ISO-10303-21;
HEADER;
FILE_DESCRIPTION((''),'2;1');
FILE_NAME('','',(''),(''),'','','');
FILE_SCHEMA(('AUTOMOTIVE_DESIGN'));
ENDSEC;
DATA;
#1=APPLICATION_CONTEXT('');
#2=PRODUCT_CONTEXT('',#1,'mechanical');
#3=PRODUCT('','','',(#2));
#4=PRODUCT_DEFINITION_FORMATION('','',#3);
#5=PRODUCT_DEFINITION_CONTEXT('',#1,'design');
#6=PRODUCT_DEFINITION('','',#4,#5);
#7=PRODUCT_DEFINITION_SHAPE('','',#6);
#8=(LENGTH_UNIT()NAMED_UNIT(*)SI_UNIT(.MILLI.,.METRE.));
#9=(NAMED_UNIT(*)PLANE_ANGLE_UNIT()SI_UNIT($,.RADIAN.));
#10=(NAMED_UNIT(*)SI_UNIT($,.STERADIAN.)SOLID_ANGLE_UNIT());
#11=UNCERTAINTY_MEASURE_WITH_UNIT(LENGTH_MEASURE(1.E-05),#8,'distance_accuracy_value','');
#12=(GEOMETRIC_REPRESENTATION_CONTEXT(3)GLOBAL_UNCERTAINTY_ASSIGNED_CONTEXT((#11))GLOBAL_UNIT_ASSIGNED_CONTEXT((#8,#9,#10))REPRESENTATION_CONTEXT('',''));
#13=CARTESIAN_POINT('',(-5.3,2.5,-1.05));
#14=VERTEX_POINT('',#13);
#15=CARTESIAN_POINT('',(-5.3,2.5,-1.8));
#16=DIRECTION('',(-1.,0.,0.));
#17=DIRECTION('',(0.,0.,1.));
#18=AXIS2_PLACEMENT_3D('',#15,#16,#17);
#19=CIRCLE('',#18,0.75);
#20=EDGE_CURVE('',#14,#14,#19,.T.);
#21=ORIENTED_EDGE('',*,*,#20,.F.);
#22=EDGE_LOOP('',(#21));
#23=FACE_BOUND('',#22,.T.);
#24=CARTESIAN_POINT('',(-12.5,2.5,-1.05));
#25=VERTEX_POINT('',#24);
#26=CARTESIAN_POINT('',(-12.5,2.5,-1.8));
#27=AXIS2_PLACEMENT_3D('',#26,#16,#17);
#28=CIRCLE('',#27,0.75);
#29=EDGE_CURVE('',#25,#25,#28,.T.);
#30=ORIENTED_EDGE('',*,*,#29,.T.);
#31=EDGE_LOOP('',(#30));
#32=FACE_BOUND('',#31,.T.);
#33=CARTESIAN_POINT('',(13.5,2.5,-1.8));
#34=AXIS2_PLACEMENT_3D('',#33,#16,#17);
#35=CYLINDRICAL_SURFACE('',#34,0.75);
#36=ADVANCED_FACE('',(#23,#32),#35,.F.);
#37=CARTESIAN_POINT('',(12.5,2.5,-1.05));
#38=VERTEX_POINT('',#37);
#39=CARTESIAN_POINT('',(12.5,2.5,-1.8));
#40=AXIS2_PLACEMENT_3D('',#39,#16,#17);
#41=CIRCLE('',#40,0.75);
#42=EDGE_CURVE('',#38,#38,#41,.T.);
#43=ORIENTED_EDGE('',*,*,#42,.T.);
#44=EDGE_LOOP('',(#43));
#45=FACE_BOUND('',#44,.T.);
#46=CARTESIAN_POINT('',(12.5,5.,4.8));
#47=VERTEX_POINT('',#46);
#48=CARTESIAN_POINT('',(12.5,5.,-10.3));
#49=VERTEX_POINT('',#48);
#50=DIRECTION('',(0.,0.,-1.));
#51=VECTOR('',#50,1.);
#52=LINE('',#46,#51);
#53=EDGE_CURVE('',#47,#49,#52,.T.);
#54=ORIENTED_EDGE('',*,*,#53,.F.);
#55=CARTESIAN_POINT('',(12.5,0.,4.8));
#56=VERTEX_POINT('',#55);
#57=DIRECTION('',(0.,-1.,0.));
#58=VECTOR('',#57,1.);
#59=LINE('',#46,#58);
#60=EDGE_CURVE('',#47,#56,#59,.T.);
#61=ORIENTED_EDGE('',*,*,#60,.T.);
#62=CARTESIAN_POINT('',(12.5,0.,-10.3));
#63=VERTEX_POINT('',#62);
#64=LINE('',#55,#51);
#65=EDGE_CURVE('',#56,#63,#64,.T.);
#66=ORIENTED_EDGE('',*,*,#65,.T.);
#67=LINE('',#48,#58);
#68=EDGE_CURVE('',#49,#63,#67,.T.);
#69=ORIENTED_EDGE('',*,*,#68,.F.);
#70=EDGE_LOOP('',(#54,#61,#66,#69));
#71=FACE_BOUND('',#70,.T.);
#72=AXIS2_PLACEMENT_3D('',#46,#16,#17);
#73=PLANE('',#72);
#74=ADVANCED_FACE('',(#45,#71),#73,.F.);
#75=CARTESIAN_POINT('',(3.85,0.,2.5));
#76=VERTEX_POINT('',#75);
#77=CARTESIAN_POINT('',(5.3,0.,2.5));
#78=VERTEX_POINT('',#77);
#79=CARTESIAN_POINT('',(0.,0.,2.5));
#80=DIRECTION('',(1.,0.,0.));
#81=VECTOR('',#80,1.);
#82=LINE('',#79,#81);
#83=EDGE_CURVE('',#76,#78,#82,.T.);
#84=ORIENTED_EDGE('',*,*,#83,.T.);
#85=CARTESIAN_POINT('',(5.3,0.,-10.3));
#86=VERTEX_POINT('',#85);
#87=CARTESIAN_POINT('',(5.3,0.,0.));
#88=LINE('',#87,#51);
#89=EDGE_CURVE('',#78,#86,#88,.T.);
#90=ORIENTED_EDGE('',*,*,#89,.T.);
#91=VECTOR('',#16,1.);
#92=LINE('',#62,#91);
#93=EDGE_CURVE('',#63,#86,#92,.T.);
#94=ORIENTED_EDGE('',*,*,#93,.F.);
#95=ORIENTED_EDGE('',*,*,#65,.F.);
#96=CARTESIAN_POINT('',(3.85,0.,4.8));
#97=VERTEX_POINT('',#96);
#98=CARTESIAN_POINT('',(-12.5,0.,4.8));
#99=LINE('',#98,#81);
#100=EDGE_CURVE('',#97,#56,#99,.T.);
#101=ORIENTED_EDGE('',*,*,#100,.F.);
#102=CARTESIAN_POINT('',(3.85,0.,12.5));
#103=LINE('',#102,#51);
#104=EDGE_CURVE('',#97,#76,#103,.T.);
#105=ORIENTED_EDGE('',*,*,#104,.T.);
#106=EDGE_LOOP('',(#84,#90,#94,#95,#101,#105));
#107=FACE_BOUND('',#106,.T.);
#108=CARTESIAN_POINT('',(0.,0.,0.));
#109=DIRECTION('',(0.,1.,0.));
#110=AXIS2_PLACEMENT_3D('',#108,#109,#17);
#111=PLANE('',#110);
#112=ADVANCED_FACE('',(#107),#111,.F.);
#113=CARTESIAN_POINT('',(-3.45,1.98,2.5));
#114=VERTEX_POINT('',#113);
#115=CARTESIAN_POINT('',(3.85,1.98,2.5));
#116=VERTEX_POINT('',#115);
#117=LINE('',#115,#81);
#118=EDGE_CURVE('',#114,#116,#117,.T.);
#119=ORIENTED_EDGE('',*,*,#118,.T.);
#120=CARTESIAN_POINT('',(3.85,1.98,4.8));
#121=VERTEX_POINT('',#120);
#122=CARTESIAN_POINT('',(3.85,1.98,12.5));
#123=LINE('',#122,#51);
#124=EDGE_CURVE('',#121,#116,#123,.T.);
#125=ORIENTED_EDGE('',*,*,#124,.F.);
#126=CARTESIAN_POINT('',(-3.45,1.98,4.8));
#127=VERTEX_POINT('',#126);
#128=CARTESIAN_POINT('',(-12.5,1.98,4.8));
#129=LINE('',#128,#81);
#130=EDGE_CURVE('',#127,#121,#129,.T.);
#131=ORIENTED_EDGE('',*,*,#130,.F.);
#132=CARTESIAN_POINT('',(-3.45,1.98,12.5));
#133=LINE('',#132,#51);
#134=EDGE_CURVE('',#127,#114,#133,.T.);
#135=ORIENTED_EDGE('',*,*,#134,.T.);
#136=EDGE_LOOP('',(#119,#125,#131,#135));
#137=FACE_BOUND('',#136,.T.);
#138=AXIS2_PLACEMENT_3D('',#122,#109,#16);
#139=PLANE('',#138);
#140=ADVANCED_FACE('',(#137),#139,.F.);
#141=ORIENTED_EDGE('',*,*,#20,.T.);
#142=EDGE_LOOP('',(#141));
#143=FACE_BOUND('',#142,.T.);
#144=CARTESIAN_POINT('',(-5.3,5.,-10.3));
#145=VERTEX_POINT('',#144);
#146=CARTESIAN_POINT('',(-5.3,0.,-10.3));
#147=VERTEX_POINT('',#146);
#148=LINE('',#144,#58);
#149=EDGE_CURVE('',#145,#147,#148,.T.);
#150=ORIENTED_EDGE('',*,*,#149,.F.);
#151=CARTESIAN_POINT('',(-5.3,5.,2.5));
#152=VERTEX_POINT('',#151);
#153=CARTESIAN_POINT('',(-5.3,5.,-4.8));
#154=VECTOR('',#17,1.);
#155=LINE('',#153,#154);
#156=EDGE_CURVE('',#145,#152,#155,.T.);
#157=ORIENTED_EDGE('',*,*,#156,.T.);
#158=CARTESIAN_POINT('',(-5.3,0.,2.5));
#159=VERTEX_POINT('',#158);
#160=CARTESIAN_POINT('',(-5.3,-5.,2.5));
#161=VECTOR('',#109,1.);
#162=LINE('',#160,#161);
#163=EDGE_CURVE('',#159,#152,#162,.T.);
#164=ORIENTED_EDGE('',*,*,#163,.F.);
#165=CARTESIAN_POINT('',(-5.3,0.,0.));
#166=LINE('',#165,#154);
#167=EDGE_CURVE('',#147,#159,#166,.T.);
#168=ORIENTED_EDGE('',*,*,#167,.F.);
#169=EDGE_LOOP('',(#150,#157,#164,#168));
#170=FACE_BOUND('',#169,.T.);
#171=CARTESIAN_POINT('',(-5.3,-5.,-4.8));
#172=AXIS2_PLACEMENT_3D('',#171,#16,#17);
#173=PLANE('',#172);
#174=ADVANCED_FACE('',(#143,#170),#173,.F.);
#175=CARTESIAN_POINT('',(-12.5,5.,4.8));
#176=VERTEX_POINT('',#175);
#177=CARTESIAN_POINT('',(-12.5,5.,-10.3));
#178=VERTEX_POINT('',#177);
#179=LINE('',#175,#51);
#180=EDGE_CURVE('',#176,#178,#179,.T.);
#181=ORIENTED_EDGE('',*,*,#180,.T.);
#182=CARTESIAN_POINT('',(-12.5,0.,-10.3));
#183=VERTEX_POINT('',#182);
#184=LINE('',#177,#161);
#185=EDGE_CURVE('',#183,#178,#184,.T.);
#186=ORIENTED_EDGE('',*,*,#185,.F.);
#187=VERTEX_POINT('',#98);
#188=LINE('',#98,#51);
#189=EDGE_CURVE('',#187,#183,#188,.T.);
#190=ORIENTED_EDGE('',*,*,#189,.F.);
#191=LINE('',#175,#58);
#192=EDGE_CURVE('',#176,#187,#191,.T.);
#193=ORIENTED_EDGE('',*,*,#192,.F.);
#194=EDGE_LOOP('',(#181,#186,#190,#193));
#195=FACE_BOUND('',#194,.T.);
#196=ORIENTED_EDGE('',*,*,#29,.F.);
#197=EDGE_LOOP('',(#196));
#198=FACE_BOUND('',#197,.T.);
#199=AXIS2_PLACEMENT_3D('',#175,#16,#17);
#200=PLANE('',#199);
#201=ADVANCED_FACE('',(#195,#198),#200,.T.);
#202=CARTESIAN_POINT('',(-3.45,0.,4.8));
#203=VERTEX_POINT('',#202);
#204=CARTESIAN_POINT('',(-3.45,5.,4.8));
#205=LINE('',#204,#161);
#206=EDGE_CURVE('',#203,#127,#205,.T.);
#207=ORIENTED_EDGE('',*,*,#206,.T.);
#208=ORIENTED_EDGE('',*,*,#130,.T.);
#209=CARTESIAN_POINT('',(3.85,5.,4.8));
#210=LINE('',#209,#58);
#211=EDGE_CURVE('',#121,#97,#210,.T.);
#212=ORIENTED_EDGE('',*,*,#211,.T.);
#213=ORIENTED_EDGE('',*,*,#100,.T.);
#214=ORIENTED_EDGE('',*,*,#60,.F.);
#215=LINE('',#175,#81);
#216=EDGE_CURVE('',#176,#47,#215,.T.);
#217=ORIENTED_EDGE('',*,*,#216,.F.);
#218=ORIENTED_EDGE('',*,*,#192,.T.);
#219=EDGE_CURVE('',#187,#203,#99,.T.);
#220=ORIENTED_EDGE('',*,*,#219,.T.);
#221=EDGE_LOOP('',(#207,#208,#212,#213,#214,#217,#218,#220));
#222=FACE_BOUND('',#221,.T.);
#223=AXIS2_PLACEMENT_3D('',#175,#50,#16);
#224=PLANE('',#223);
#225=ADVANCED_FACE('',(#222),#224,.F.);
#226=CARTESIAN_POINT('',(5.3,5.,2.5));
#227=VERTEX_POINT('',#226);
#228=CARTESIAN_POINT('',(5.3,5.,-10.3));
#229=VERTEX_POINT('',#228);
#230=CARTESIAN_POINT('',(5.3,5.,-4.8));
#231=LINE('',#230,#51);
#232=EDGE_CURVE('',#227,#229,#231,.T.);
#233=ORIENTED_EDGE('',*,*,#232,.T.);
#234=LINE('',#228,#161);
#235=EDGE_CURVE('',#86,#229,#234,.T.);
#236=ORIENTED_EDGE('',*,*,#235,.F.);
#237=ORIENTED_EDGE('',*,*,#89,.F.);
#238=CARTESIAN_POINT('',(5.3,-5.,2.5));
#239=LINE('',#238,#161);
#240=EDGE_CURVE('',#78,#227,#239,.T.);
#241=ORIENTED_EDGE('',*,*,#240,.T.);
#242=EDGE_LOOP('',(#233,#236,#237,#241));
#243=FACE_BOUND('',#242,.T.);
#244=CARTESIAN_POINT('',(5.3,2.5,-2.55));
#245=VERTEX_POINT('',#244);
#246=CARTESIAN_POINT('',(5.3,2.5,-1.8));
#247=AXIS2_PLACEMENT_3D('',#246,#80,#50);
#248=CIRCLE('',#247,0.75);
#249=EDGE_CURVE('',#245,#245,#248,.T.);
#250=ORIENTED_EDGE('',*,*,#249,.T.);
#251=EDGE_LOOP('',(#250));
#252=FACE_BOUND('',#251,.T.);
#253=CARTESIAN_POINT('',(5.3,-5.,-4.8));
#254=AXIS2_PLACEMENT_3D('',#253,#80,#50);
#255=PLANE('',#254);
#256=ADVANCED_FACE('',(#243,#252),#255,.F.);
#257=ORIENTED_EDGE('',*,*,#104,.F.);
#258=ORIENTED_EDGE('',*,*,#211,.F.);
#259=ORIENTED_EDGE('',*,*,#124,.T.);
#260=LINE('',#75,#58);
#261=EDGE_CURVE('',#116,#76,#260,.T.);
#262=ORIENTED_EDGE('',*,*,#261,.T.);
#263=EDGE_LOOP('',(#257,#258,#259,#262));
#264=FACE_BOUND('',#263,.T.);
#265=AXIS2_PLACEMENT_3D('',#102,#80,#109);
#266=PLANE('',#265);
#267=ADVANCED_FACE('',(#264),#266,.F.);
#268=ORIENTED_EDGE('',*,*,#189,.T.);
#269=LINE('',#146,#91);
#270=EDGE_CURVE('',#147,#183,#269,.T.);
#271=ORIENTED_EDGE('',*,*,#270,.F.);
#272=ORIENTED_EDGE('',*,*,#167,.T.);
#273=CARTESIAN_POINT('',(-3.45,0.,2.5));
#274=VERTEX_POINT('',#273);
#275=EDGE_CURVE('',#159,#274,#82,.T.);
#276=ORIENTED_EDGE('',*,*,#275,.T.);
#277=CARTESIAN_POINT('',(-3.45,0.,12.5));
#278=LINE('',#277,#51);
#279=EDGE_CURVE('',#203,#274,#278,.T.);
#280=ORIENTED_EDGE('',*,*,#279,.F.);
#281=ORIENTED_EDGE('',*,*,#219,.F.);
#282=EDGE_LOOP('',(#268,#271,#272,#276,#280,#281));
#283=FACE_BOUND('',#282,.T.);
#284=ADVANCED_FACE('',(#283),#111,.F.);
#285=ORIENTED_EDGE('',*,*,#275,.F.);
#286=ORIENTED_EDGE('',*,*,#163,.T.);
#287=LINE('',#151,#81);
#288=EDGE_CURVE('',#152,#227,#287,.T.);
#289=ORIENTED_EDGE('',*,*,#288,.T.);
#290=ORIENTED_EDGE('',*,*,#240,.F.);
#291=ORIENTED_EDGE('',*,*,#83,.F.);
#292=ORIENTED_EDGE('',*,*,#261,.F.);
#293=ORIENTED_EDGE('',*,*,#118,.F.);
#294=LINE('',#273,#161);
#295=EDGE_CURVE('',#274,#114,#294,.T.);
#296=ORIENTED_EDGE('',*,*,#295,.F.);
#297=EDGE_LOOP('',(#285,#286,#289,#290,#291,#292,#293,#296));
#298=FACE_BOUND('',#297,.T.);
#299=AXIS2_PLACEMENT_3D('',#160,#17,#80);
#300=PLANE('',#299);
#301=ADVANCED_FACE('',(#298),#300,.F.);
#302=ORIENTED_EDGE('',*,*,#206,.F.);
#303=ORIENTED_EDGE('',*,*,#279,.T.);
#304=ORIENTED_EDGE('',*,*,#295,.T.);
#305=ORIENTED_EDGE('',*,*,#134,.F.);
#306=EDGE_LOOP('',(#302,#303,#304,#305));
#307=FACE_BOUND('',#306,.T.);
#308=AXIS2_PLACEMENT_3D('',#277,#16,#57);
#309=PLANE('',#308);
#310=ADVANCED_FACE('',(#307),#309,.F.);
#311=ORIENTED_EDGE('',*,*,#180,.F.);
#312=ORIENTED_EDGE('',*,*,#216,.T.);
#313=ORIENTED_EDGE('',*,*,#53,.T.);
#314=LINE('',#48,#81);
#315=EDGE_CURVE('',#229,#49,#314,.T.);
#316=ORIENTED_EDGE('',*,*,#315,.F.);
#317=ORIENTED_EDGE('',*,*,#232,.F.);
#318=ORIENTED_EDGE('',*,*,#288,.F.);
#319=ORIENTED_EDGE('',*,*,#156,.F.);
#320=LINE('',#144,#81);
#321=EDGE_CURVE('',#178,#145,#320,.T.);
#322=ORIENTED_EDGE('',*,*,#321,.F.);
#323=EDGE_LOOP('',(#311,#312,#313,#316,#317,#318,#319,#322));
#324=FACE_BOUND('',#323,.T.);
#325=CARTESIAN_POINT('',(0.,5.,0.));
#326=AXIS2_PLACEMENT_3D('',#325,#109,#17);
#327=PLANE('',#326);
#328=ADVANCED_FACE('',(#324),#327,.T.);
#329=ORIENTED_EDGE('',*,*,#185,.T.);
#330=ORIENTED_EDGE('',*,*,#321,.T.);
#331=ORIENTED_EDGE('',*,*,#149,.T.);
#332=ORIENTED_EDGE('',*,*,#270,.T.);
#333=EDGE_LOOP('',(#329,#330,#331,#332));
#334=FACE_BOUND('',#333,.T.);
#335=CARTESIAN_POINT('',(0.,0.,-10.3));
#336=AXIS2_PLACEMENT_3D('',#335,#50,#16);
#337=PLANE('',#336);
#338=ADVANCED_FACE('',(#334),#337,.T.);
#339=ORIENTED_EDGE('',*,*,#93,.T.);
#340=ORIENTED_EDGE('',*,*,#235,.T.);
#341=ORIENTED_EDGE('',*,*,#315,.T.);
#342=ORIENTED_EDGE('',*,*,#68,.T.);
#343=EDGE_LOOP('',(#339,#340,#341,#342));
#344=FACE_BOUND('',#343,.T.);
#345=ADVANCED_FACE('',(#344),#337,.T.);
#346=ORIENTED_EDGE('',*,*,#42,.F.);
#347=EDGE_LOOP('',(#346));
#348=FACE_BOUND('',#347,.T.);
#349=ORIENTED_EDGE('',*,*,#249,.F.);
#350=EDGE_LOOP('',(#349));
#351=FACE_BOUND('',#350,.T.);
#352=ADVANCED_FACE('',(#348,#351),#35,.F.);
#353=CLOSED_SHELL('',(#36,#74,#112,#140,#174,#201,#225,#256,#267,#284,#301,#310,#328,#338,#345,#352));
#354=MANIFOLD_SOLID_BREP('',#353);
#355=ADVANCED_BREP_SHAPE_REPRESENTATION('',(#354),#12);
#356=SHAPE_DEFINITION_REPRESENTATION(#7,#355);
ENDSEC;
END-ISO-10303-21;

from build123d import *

# Parameters (mm, degrees)
SKETCH1_W           = 25
SKETCH1_H           = 9.6
BOSS_EXTRUDE1_DEPTH = 5
SKETCH2_W           = 10.6
SKETCH2_H           = 7.3
CUT_EXTRUDE1_DEPTH  = 10
SKETCH3_W           = 7.3
SKETCH3_H           = 1.98
CUT_EXTRUDE2_DEPTH  = 10
SKETCH4_R           = 0.75
CUT_EXTRUDE3_DEPTH  = 26
SKETCH6_W           = 7.2
SKETCH6_H           = 5
BOSS_EXTRUDE3_DEPTH = 5.5


with BuildPart() as part:
    # Sketch1 → Boss-Extrude1 (new body)
    with BuildSketch(Plane(origin=(0, 0, 0), x_dir=(1, 0, 0), z_dir=(0, 1, 0))):
        Rectangle(SKETCH1_W, SKETCH1_H)
    extrude(amount=BOSS_EXTRUDE1_DEPTH)

    # Sketch2 → Cut-Extrude1 (cut)
    with BuildSketch(Plane(origin=(0, 5, 0), x_dir=(1, 0, 0), z_dir=(0, 1, 0))):
        with Locations((0, 1.15)):
            Rectangle(SKETCH2_W, SKETCH2_H)
    extrude(amount=-CUT_EXTRUDE1_DEPTH, mode=Mode.SUBTRACT)

    # Sketch3 → Cut-Extrude2 (cut)
    with BuildSketch(Plane(origin=(0, 0, 2.5), x_dir=(-1, 0, 0), z_dir=(0, 0, -1))):
        with Locations((-0.2, 0.99)):
            Rectangle(SKETCH3_W, SKETCH3_H)
    extrude(amount=-CUT_EXTRUDE2_DEPTH, mode=Mode.SUBTRACT)

    # Sketch4 → Cut-Extrude3 (cut)
    with BuildSketch(Plane.ZY.offset(12.5)):
        with Locations((-1.8, 2.5)):
            Circle(SKETCH4_R)
    extrude(amount=-CUT_EXTRUDE3_DEPTH, mode=Mode.SUBTRACT)

    # Sketch6 → Boss-Extrude3 (add)
    with BuildSketch(Plane(origin=(0, 0, -4.8), x_dir=(-1, 0, 0), z_dir=(0, 0, -1))):
        with Locations((-8.9, 2.5)):
            Rectangle(SKETCH6_W, SKETCH6_H)
        with Locations((8.9, 2.5)):
            Rectangle(SKETCH6_W, SKETCH6_H)
    extrude(amount=BOSS_EXTRUDE3_DEPTH)


solid = part.part
